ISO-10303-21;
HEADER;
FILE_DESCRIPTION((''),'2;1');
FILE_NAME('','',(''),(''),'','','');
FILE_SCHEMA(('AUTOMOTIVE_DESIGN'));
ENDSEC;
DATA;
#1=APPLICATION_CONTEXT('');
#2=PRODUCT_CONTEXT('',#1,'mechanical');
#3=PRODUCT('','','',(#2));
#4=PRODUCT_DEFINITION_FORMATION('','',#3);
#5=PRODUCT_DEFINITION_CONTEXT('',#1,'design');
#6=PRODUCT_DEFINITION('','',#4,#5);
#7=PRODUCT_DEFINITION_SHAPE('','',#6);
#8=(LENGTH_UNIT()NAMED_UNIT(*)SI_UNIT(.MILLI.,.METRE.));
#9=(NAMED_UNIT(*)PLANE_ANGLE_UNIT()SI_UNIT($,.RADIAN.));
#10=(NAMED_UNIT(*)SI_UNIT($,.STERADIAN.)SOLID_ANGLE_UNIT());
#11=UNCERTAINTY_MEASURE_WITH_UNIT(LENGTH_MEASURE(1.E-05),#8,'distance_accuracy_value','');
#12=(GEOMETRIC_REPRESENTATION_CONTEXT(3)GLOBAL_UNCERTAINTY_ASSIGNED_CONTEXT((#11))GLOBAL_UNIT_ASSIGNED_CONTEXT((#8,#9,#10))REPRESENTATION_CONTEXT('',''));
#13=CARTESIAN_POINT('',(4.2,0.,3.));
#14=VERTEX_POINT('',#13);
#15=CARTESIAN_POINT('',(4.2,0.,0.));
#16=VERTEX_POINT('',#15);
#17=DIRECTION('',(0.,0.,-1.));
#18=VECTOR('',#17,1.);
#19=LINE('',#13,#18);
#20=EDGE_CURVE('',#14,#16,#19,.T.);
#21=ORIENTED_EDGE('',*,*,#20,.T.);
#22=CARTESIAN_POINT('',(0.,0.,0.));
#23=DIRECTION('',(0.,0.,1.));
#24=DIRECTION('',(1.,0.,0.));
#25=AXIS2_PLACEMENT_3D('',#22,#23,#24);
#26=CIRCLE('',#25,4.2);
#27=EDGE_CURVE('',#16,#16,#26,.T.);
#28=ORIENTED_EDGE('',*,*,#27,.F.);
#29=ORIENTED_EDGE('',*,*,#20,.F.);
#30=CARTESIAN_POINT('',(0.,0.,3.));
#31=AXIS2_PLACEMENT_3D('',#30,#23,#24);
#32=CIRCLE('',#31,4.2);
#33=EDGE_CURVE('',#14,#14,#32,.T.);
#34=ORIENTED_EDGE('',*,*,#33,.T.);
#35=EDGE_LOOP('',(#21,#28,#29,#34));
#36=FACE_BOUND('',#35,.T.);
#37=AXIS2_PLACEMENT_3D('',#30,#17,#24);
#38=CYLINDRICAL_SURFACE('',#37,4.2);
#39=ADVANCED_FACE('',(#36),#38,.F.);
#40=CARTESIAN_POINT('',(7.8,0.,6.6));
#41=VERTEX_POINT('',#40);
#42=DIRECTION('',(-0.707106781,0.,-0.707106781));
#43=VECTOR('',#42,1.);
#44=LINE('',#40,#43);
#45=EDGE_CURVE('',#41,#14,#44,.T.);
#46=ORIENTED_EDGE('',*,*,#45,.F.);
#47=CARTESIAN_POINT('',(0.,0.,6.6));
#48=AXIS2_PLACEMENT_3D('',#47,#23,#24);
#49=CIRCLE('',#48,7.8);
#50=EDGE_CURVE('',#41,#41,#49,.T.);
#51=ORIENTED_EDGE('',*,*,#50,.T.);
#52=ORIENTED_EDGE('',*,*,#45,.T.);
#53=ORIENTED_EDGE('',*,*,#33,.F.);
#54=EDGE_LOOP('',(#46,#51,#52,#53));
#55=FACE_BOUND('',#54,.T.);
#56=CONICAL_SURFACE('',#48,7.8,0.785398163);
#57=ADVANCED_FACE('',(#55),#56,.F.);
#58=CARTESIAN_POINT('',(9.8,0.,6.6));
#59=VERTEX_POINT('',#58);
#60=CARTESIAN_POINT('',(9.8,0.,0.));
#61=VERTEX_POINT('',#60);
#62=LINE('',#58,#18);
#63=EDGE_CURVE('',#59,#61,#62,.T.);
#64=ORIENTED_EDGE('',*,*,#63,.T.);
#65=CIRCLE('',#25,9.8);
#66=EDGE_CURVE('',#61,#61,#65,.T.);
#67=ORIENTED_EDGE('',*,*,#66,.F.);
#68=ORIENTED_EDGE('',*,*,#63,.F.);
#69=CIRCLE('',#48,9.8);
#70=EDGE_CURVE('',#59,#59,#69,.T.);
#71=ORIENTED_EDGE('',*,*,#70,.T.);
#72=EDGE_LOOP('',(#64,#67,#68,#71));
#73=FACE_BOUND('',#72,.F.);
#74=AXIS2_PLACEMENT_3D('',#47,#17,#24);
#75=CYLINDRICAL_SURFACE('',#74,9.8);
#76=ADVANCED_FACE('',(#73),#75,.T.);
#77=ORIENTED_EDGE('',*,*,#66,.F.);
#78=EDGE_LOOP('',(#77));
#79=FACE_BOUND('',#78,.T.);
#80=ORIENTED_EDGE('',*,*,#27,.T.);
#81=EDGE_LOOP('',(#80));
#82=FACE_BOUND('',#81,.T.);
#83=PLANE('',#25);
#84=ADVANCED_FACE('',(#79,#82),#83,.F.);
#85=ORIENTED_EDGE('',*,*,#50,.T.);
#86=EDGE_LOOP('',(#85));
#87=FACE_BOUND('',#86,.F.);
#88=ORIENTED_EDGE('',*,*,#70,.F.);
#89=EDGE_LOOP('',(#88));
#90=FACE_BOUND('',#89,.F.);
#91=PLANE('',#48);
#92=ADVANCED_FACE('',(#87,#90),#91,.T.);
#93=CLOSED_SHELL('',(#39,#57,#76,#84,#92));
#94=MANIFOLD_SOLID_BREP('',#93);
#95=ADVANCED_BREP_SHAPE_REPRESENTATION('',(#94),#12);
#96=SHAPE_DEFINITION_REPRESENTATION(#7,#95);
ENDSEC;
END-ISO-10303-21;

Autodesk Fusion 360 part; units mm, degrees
sketch "Sketch1" plane through (0, 0, 0) normal (0, 1, 0) x (1, 0, 0)
  line L0 (4.2, 0) -> (9.8, 0)
  line L1 (7.8, -6.6) -> (4.2, -3)
  line L2 (4.2, -3) -> (4.2, 0)
  line L3 (7.8, -6.6) -> (9.8, -6.6)
  line L4 (9.8, -6.6) -> (9.8, 0)
  dimension "d2" = 4.2
  dimension "d3" = 9.8
  dimension "d4" = 3
  dimension "d5" = 2
  dimension "d6" = 135
revolve "Revolve1" add sketch "Sketch1" angle 360 about axis through (0, 0, 1.75) along (0, 0, 1)
